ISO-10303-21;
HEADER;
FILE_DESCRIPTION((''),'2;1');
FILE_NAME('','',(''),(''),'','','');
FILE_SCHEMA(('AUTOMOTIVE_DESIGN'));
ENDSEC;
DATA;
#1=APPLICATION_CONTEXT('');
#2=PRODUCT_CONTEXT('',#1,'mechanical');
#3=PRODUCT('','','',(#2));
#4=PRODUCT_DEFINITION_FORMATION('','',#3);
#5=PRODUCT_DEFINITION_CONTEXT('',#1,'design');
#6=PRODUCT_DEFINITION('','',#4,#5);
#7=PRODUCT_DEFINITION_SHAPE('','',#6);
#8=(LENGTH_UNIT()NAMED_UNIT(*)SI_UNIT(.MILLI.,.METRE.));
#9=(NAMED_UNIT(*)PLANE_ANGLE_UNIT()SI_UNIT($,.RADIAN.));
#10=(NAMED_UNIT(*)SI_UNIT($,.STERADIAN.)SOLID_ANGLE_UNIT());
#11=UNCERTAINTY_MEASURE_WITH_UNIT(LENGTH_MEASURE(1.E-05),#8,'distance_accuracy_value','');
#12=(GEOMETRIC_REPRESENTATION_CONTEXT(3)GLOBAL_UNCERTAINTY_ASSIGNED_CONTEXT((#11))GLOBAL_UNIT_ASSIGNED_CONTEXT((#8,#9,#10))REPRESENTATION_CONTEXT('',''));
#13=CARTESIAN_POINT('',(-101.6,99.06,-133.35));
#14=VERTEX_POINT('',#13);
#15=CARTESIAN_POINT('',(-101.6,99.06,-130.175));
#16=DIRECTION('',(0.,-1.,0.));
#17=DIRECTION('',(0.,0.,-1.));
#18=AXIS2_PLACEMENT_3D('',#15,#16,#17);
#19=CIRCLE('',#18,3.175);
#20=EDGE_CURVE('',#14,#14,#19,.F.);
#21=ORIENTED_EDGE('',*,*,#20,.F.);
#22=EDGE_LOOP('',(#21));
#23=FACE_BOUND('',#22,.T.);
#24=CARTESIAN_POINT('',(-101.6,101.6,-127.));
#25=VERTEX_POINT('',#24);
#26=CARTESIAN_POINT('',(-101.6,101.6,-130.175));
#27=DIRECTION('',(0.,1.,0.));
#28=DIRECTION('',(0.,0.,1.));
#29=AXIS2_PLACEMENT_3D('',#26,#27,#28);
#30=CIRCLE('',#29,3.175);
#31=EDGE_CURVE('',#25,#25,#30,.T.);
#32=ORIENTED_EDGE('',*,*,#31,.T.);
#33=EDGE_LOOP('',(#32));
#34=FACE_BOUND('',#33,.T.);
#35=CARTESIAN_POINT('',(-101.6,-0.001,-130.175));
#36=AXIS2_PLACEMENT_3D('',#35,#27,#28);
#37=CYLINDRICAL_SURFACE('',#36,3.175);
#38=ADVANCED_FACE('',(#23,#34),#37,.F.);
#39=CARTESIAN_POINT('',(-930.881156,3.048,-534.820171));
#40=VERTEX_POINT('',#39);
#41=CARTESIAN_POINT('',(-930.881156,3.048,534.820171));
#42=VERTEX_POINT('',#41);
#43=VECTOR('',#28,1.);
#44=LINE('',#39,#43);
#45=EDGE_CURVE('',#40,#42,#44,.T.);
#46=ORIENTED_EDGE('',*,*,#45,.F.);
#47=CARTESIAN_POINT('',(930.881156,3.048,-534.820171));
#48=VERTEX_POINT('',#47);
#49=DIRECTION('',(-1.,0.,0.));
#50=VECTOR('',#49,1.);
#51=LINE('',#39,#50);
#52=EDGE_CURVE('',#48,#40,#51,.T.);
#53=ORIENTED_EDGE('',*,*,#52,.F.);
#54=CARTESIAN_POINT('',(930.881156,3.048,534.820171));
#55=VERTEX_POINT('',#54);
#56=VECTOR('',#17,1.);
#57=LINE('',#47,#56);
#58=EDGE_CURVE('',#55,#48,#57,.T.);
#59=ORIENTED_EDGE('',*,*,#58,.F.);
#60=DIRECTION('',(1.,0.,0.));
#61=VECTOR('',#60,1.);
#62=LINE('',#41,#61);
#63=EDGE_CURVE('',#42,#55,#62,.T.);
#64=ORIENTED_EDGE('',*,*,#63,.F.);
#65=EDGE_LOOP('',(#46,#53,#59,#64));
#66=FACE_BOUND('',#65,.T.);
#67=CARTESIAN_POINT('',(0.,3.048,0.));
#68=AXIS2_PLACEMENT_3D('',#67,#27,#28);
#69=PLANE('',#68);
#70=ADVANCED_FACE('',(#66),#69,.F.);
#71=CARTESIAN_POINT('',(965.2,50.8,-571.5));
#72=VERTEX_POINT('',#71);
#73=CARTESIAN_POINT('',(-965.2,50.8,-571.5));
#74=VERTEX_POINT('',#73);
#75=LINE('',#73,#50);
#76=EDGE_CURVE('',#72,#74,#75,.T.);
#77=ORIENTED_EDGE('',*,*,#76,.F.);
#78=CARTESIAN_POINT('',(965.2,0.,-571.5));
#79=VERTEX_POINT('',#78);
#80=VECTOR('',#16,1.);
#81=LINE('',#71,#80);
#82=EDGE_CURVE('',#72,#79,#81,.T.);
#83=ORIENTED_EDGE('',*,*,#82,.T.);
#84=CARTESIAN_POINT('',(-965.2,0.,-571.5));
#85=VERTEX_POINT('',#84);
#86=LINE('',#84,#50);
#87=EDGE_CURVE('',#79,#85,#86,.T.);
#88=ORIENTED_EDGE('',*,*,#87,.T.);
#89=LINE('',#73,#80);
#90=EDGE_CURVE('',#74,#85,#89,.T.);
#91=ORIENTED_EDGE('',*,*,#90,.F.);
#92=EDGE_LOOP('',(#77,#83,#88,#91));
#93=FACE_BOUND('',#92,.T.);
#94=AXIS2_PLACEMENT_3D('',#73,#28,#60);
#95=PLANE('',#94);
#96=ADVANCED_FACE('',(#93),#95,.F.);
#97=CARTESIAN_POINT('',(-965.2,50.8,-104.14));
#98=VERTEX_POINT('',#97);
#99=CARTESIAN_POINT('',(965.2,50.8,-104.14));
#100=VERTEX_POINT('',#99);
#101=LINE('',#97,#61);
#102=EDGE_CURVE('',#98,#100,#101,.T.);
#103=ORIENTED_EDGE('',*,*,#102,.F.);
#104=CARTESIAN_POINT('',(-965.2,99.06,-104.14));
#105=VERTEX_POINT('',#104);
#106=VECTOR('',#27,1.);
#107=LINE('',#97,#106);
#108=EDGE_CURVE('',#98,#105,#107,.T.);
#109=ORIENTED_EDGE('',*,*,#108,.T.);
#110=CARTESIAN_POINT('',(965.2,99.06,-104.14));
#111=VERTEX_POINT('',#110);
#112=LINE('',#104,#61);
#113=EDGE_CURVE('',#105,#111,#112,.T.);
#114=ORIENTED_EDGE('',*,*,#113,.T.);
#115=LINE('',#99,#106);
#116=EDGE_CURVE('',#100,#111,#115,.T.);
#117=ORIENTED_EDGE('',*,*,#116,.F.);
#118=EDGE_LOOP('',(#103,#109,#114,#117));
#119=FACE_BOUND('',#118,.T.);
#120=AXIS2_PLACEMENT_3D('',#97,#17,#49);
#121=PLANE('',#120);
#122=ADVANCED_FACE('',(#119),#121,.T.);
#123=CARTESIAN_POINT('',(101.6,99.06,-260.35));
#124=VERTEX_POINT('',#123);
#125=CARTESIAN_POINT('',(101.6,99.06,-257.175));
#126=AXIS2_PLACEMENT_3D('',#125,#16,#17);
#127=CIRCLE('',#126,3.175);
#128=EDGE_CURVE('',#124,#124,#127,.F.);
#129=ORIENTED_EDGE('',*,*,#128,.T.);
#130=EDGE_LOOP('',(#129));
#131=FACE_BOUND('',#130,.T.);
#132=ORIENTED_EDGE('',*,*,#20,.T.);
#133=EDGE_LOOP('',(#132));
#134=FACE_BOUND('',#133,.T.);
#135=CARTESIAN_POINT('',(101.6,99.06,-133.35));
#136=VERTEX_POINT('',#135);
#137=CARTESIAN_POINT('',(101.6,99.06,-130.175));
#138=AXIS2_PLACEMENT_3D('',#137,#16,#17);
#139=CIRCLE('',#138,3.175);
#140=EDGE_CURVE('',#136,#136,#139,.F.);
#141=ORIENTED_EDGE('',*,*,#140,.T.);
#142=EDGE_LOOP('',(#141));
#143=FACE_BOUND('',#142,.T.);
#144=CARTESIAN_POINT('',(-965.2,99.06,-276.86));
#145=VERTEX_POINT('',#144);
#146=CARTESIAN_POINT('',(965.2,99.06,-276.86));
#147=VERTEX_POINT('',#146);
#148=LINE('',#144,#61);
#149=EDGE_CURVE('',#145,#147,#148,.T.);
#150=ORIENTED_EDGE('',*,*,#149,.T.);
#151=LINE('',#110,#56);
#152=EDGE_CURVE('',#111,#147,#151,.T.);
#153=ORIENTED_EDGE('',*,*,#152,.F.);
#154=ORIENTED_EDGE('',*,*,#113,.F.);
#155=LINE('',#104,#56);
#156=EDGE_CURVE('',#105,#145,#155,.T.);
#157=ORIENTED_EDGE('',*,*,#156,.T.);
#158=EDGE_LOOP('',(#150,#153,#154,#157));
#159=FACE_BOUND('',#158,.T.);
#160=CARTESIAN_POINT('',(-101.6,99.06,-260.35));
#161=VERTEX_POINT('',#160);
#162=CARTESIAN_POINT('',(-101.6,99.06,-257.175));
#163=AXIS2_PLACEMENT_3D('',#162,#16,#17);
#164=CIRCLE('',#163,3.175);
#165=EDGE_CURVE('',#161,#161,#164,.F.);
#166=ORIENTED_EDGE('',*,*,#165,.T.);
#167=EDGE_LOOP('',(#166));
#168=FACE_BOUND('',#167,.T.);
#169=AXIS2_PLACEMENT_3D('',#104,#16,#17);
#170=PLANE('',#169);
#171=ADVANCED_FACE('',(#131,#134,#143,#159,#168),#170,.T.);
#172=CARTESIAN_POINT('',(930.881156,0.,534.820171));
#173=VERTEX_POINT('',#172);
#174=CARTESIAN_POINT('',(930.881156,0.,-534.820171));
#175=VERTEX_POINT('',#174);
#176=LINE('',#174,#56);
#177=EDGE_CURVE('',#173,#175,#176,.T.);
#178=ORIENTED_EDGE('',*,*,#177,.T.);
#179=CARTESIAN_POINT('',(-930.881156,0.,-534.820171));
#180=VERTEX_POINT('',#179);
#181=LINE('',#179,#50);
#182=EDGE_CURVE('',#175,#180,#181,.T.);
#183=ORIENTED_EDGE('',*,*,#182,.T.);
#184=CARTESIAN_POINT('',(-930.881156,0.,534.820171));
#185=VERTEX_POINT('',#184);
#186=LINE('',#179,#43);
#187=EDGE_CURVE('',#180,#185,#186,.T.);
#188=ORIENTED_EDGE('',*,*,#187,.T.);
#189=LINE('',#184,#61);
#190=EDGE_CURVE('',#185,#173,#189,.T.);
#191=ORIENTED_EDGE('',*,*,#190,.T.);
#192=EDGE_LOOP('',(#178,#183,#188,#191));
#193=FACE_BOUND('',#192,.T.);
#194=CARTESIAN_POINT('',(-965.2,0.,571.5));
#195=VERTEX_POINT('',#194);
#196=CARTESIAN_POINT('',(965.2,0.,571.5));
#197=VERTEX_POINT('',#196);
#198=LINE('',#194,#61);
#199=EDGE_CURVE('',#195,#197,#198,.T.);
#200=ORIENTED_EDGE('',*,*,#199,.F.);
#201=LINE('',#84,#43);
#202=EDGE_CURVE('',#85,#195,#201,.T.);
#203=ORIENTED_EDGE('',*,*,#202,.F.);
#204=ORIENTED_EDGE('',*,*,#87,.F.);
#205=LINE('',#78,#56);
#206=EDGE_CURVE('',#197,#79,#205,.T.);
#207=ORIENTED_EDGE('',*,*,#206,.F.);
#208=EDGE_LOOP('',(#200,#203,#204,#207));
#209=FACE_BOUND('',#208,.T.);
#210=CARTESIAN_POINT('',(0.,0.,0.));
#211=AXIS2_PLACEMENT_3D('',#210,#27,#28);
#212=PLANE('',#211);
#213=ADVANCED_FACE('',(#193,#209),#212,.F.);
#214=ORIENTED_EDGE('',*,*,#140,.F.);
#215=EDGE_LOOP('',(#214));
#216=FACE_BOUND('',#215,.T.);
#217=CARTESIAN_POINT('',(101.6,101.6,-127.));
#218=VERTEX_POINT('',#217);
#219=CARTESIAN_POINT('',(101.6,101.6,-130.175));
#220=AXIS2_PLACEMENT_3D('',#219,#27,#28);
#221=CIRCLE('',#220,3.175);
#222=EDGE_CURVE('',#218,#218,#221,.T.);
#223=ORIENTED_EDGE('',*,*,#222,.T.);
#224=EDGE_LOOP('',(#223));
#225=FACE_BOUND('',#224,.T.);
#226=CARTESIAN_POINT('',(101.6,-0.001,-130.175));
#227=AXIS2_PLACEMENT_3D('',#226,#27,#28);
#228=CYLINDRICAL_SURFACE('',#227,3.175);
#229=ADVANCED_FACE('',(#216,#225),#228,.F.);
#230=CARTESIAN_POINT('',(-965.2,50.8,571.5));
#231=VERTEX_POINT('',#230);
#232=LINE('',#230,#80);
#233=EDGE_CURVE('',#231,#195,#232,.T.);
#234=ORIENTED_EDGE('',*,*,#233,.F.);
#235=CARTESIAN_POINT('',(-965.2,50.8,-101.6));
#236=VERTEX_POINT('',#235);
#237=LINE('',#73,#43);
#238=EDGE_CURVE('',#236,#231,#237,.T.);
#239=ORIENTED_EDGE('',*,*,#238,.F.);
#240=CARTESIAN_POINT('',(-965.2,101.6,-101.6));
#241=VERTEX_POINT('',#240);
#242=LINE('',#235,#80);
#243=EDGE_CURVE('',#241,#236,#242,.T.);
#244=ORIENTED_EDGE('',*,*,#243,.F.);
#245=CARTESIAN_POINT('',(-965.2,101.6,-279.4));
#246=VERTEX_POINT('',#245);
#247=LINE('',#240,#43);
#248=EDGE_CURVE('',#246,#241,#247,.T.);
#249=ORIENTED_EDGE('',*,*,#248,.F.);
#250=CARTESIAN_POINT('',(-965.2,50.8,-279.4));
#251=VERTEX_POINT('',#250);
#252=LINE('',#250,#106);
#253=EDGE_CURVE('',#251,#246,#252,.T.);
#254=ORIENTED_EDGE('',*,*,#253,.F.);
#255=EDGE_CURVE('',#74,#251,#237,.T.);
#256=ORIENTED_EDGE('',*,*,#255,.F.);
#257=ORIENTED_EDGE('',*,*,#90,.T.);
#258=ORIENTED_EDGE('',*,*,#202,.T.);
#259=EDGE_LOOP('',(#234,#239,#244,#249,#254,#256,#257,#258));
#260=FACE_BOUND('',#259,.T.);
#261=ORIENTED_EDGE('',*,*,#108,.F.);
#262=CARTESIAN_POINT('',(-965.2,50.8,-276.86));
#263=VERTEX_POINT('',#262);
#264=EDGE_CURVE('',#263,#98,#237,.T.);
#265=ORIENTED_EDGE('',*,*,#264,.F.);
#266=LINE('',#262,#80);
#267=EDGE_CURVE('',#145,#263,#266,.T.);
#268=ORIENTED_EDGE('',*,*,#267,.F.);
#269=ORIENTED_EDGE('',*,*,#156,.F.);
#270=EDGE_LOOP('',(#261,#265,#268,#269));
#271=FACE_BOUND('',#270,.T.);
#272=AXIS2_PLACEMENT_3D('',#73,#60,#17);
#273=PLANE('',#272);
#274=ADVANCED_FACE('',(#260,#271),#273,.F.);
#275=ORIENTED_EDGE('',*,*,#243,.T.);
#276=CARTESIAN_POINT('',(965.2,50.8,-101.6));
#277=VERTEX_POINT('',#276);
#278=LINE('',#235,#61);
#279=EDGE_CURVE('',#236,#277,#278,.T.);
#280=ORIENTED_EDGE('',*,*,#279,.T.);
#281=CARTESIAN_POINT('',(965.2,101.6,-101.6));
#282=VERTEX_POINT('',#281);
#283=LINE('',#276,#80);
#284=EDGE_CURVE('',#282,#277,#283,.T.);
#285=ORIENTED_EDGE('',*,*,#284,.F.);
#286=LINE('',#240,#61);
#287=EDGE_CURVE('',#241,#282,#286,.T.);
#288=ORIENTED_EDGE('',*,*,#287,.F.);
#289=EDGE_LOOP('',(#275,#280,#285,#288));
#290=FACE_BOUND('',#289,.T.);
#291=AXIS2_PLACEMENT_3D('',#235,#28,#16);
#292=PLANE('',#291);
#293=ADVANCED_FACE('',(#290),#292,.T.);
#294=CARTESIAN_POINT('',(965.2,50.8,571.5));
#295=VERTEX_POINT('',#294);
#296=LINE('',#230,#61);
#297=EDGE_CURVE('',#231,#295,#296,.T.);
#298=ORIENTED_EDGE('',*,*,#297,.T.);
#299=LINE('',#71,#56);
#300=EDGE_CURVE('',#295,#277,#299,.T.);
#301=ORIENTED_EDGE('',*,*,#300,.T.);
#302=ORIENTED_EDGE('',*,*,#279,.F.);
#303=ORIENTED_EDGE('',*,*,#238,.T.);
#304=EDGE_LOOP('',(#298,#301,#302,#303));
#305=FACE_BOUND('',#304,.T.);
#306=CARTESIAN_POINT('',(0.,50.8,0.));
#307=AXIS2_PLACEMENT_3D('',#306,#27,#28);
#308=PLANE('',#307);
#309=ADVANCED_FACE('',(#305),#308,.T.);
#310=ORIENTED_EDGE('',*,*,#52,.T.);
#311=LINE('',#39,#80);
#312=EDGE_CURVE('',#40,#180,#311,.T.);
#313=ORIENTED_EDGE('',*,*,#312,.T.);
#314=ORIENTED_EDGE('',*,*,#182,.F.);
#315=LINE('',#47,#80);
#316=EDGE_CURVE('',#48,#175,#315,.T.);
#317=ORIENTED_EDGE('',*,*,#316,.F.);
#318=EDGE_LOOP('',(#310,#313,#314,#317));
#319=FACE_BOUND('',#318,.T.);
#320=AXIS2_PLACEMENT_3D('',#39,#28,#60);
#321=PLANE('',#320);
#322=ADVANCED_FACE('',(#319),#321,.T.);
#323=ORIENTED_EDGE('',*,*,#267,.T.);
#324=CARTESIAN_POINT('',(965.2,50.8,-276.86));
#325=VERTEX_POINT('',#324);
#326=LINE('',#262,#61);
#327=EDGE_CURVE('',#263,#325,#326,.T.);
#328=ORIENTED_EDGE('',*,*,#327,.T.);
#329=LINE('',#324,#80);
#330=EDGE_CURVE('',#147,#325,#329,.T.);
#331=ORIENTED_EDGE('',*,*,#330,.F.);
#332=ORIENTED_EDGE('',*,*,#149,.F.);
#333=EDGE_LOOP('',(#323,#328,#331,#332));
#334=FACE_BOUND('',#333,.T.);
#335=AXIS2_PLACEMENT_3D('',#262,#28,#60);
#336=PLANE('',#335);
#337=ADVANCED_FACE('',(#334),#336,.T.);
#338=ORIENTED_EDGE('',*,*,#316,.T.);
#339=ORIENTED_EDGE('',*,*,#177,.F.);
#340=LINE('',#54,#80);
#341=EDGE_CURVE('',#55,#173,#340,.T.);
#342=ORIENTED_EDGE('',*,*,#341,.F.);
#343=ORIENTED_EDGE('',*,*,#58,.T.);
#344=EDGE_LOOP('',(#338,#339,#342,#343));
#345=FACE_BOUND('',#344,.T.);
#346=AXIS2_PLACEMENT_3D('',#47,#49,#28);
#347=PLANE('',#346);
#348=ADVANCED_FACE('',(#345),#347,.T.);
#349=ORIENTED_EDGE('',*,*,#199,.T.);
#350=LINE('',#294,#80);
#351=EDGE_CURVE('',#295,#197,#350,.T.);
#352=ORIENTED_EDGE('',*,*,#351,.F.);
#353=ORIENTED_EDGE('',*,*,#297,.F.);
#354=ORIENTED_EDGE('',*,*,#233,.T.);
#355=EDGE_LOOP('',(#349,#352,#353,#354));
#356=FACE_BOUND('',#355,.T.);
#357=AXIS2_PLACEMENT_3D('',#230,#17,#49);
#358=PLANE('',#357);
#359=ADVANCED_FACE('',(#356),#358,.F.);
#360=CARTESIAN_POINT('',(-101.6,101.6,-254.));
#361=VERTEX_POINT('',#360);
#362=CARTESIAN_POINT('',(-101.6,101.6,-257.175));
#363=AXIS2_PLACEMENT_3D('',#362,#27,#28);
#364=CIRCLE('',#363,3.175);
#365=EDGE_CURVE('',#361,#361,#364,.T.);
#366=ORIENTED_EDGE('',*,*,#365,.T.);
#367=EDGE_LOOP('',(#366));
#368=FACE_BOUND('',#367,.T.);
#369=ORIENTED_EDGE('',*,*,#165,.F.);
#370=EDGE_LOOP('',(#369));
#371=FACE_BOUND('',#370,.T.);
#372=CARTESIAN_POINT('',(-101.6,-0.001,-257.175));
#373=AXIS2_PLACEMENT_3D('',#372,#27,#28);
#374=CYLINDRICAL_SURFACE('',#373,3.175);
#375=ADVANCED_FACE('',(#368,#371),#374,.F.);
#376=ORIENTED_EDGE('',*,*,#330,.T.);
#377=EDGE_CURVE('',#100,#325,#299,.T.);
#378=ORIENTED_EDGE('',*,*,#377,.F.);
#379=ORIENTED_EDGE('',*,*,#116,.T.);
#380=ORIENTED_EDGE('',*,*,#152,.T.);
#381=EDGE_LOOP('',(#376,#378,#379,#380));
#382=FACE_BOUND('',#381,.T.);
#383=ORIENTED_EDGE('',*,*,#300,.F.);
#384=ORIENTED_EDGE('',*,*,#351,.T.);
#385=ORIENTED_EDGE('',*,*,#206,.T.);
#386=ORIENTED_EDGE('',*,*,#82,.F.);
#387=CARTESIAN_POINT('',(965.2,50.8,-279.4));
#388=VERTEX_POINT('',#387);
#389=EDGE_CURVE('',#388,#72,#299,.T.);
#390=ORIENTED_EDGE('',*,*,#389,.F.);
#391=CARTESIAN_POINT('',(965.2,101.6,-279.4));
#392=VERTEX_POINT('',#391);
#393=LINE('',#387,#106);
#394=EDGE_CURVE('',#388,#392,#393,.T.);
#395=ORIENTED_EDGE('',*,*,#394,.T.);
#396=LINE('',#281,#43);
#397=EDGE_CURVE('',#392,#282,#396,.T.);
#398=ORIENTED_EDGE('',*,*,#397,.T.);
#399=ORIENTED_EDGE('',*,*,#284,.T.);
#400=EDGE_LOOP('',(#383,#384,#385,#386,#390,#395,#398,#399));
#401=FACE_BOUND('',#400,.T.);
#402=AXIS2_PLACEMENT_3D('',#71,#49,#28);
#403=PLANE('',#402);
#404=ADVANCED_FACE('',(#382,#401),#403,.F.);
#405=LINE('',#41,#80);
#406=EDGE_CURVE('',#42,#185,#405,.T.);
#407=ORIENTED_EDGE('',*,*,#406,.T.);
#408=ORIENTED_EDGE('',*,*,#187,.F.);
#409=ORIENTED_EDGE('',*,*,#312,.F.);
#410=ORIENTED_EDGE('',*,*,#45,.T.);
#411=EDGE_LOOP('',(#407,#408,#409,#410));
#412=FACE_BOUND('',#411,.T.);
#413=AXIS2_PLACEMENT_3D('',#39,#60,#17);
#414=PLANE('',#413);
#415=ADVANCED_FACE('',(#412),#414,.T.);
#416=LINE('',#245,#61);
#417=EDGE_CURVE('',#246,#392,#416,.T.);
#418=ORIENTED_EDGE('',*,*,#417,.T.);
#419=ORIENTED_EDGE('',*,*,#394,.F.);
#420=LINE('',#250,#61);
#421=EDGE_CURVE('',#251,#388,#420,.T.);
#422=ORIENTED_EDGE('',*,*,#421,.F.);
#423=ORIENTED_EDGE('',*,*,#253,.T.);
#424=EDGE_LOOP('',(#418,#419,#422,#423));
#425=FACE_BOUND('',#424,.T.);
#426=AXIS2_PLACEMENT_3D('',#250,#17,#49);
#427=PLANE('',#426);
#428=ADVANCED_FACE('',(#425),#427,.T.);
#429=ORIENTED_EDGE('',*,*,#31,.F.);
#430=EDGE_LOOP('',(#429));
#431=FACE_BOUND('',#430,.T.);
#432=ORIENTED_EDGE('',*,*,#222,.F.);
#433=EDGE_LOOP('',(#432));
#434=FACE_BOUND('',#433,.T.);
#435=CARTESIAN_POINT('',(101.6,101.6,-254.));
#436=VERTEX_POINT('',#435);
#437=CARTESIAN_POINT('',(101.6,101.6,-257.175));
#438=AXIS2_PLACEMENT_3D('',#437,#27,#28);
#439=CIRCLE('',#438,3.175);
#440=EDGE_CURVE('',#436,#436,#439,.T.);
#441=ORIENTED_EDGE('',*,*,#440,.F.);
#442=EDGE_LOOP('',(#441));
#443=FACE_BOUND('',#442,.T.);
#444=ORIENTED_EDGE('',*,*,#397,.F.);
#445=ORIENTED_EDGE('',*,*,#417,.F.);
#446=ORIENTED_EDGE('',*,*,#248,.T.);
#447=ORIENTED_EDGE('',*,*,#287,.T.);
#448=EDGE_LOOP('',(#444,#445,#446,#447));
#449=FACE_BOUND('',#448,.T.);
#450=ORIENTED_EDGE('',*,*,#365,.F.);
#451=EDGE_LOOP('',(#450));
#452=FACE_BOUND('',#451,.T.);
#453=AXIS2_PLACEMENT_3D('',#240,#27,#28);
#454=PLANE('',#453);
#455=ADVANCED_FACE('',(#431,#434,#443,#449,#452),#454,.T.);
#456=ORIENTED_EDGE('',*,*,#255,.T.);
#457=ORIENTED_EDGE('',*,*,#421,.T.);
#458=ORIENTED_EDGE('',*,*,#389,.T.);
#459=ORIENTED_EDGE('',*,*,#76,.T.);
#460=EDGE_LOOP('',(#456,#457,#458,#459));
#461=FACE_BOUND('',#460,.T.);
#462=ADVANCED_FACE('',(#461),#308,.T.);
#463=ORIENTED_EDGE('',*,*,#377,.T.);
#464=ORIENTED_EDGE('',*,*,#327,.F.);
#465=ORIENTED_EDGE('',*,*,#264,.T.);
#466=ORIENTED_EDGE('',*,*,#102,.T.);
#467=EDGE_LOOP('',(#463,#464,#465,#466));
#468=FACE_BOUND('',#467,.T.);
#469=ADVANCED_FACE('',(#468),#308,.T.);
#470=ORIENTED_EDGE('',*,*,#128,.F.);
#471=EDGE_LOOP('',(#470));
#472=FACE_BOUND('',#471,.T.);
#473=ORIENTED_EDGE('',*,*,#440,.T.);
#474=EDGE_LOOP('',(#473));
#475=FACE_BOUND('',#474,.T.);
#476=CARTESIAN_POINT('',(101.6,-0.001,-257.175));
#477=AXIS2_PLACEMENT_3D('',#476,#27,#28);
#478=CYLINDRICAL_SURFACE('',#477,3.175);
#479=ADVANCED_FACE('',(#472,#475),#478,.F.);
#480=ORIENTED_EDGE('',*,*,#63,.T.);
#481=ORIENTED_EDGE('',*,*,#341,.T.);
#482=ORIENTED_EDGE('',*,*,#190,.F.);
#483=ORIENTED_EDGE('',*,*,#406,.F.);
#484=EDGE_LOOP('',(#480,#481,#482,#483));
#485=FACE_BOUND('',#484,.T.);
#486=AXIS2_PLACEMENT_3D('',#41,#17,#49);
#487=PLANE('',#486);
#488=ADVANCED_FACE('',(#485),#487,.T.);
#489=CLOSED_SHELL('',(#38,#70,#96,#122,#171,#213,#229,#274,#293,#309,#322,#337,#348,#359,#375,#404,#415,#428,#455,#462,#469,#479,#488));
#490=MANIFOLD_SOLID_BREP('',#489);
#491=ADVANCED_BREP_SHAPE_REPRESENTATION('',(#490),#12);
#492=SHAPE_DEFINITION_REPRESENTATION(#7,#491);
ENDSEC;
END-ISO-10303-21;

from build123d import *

# Parameters (mm, degrees)
SKETCH1_W           = 1930.4
SKETCH1_H           = 1143
BOSS_EXTRUDE1_DEPTH = 50.8
SKETCH2_W           = 1861.76231229
SKETCH2_H           = 1069.640341316
CUT_EXTRUDE1_DEPTH  = 3.048
BOSS_EXTRUDE3_DEPTH = 1930.4
CUT_EXTRUDE2_REACH  = 1128.297
SKETCH4_R           = 3.175


with BuildPart() as part:
    # Sketch1 → Boss-Extrude1 (new body)
    with BuildSketch(Plane(origin=(0, 0, 0), x_dir=(1, 0, 0), z_dir=(0, 1, 0))):
        Rectangle(SKETCH1_W, SKETCH1_H)
    extrude(amount=BOSS_EXTRUDE1_DEPTH)

    # Sketch2 → Cut-Extrude1 (cut)
    with BuildSketch(Plane(origin=(0, 0, 0), x_dir=(1, 0, 0), z_dir=(0, 1, 0))):
        Rectangle(SKETCH2_W, SKETCH2_H)
    extrude(amount=CUT_EXTRUDE1_DEPTH, mode=Mode.SUBTRACT)

    # Sketch3 → Boss-Extrude3 (add, through all)
    with BuildSketch(Plane(origin=(965.2, 0, 0), x_dir=(0, 0, -1), z_dir=(1, 0, 0))):
        Polygon((101.6, 50.8), (104.14, 50.8), (104.14, 99.06), (276.86, 99.06), (276.86, 50.8), (279.4, 50.8), (279.4, 101.6), (101.6, 101.6), align=None)
    extrude(amount=-BOSS_EXTRUDE3_DEPTH)

    # Sketch4 → Cut-Extrude2 (cut, up to next)
    with BuildSketch(Plane(origin=(0, 101.6, 0), x_dir=(1, 0, 0), z_dir=(0, 1, 0)), mode=Mode.PRIVATE) as cut_extrude2_sk1:
        with Locations(Location((101.6, 130.175, 0), (0, 0, 270))):
            Circle(SKETCH4_R)
    cut_extrude2_tool1 = extrude(cut_extrude2_sk1.sketch, amount=-CUT_EXTRUDE2_REACH, mode=Mode.PRIVATE) & part.part
    # Sketch4 → Cut-Extrude2 (cut, up to next)
    with BuildSketch(Plane(origin=(0, 101.6, 0), x_dir=(1, 0, 0), z_dir=(0, 1, 0)), mode=Mode.PRIVATE) as cut_extrude2_sk2:
        with Locations(Location((-101.6, 130.175, 0), (0, 0, 270))):
            Circle(SKETCH4_R)
    cut_extrude2_tool2 = extrude(cut_extrude2_sk2.sketch, amount=-CUT_EXTRUDE2_REACH, mode=Mode.PRIVATE) & part.part
    # Sketch4 → Cut-Extrude2 (cut, up to next)
    with BuildSketch(Plane(origin=(0, 101.6, 0), x_dir=(1, 0, 0), z_dir=(0, 1, 0)), mode=Mode.PRIVATE) as cut_extrude2_sk3:
        with Locations(Location((-101.6, 257.175, 0), (0, 0, 270))):
            Circle(SKETCH4_R)
    cut_extrude2_tool3 = extrude(cut_extrude2_sk3.sketch, amount=-CUT_EXTRUDE2_REACH, mode=Mode.PRIVATE) & part.part
    # Sketch4 → Cut-Extrude2 (cut, up to next)
    with BuildSketch(Plane(origin=(0, 101.6, 0), x_dir=(1, 0, 0), z_dir=(0, 1, 0)), mode=Mode.PRIVATE) as cut_extrude2_sk4:
        with Locations(Location((101.6, 257.175, 0), (0, 0, 270))):
            Circle(SKETCH4_R)
    cut_extrude2_tool4 = extrude(cut_extrude2_sk4.sketch, amount=-CUT_EXTRUDE2_REACH, mode=Mode.PRIVATE) & part.part
    add(cut_extrude2_tool1.solids().sort_by_distance((101.6, 101.6, -130.175))[0], mode=Mode.SUBTRACT)
    add(cut_extrude2_tool2.solids().sort_by_distance((-101.6, 101.6, -130.175))[0], mode=Mode.SUBTRACT)
    add(cut_extrude2_tool3.solids().sort_by_distance((-101.6, 101.6, -257.175))[0], mode=Mode.SUBTRACT)
    add(cut_extrude2_tool4.solids().sort_by_distance((101.6, 101.6, -257.175))[0], mode=Mode.SUBTRACT)


solid = part.part
